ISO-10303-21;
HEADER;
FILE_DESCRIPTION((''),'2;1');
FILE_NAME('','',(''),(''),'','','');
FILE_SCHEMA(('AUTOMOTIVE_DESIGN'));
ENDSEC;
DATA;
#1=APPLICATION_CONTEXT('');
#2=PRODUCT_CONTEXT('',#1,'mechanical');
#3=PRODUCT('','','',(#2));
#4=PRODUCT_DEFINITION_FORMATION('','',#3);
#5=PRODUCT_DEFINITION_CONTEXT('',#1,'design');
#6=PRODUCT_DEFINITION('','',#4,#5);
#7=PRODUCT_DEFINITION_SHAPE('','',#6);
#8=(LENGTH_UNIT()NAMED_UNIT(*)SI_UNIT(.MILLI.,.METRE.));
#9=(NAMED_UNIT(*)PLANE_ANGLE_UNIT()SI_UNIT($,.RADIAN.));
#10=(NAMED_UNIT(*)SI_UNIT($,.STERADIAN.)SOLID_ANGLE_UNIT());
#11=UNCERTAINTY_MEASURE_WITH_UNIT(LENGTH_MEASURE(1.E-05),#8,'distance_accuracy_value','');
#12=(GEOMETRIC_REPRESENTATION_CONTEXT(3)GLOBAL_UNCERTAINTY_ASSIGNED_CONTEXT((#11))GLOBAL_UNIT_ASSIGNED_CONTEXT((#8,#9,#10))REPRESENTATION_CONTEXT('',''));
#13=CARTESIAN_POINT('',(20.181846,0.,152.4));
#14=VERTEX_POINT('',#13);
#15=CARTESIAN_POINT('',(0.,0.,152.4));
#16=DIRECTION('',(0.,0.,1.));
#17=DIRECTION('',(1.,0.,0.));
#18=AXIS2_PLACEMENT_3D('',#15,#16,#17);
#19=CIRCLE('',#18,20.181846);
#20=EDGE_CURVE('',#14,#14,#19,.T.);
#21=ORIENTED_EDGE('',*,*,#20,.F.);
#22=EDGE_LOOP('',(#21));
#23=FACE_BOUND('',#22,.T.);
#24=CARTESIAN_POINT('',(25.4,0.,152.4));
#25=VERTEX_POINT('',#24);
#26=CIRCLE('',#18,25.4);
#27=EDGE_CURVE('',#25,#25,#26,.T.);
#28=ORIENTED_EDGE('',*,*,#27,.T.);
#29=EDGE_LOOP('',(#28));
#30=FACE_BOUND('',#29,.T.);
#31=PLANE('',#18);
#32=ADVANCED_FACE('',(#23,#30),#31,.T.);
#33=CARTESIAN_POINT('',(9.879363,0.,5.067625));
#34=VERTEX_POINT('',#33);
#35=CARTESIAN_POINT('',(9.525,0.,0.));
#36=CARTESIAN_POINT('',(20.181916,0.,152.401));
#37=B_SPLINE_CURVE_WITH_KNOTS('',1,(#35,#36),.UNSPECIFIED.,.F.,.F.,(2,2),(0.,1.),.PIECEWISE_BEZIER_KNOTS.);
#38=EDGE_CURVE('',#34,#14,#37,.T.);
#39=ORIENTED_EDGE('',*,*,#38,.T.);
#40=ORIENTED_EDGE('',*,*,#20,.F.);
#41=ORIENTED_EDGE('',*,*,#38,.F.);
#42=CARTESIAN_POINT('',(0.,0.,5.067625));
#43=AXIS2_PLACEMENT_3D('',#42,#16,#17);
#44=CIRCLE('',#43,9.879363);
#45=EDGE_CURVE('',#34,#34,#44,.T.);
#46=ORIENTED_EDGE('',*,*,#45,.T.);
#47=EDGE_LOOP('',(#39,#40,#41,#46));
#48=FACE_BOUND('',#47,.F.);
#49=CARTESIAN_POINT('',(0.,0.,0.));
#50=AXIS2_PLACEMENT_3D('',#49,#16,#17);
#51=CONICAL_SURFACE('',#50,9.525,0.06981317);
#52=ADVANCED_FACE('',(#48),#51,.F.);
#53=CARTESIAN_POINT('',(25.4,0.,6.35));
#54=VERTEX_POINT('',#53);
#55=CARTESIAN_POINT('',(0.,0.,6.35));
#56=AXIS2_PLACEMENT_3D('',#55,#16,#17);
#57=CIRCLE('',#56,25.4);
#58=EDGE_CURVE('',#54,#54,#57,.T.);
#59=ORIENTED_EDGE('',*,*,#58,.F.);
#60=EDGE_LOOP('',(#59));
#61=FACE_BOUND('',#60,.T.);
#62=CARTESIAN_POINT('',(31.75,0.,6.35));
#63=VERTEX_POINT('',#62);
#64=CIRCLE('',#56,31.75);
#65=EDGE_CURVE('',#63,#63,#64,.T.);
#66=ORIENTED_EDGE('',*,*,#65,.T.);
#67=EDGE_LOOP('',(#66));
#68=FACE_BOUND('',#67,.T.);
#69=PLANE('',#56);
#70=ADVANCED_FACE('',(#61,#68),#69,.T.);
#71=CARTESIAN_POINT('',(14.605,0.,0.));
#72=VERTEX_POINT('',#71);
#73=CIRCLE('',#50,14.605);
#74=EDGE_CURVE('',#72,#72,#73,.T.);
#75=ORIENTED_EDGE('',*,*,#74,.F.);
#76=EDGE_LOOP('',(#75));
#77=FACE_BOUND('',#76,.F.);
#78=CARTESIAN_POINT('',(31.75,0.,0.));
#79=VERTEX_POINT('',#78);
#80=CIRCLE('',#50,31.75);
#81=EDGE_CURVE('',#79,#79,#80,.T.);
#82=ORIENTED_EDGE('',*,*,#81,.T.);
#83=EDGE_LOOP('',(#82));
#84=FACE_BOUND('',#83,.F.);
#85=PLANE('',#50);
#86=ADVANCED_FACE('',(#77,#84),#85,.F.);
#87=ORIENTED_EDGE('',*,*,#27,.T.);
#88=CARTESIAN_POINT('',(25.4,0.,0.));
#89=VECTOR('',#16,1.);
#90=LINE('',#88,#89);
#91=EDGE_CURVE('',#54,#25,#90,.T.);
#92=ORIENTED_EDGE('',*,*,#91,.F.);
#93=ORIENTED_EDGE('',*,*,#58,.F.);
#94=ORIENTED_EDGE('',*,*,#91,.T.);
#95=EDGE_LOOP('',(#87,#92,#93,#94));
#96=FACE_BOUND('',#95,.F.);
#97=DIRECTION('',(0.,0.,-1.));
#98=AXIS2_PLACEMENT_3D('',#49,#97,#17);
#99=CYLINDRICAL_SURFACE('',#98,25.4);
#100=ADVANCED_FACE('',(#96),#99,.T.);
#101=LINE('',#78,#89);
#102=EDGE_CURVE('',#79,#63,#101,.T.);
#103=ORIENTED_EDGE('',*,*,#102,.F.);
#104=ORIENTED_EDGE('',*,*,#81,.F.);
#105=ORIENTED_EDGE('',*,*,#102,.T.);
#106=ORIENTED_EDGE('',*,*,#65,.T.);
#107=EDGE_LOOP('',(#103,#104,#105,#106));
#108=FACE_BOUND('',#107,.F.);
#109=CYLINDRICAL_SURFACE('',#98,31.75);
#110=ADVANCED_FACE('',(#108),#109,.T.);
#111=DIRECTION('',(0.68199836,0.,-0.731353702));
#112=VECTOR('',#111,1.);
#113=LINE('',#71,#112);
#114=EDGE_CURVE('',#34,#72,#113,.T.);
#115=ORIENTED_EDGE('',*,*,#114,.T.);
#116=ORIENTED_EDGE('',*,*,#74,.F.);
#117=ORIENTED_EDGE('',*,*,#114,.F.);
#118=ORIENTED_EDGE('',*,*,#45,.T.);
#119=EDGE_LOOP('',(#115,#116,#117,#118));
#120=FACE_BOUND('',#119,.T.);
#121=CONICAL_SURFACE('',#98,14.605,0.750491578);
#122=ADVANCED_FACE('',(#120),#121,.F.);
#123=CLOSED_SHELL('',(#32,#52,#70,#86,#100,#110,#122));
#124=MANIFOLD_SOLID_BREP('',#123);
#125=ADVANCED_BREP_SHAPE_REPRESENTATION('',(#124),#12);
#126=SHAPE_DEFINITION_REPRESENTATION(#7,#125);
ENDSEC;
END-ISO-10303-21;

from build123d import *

# Parameters (mm, degrees)
F0_R     = 31.75
F0_R_2   = 25.4
F1_DEPTH = 6.35
F0_R_3   = 9.525
F2_DEPTH = 152.4
F3_DEPTH = 152.401
F3_TAPER = -4
F4_SIZE  = 5.08


with BuildPart() as f1:
    # F0 (on Top) → F1 (new body)
    with BuildSketch(Plane.XY):
        Circle(F0_R)
        Circle(F0_R_2, mode=Mode.SUBTRACT)
    extrude(amount=F1_DEPTH)

    # F0 (on Top) → F2 (join)
    with BuildSketch(Plane.XY):
        Circle(F0_R_2)
        Circle(F0_R_3, mode=Mode.SUBTRACT)
    extrude(amount=F2_DEPTH)

    # F0 (on Top) → F3 (cut, through all)
    with BuildSketch(Plane.XY):
        Circle(F0_R_3)
    extrude(amount=F3_DEPTH, taper=F3_TAPER, mode=Mode.SUBTRACT)

    # F4
    f4_edges = [f1.edges().sort_by_distance(p)[0] for p in [
        (-9.525, 0, 0),
    ]]
    chamfer(f4_edges, length=F4_SIZE)


solid = f1.part
